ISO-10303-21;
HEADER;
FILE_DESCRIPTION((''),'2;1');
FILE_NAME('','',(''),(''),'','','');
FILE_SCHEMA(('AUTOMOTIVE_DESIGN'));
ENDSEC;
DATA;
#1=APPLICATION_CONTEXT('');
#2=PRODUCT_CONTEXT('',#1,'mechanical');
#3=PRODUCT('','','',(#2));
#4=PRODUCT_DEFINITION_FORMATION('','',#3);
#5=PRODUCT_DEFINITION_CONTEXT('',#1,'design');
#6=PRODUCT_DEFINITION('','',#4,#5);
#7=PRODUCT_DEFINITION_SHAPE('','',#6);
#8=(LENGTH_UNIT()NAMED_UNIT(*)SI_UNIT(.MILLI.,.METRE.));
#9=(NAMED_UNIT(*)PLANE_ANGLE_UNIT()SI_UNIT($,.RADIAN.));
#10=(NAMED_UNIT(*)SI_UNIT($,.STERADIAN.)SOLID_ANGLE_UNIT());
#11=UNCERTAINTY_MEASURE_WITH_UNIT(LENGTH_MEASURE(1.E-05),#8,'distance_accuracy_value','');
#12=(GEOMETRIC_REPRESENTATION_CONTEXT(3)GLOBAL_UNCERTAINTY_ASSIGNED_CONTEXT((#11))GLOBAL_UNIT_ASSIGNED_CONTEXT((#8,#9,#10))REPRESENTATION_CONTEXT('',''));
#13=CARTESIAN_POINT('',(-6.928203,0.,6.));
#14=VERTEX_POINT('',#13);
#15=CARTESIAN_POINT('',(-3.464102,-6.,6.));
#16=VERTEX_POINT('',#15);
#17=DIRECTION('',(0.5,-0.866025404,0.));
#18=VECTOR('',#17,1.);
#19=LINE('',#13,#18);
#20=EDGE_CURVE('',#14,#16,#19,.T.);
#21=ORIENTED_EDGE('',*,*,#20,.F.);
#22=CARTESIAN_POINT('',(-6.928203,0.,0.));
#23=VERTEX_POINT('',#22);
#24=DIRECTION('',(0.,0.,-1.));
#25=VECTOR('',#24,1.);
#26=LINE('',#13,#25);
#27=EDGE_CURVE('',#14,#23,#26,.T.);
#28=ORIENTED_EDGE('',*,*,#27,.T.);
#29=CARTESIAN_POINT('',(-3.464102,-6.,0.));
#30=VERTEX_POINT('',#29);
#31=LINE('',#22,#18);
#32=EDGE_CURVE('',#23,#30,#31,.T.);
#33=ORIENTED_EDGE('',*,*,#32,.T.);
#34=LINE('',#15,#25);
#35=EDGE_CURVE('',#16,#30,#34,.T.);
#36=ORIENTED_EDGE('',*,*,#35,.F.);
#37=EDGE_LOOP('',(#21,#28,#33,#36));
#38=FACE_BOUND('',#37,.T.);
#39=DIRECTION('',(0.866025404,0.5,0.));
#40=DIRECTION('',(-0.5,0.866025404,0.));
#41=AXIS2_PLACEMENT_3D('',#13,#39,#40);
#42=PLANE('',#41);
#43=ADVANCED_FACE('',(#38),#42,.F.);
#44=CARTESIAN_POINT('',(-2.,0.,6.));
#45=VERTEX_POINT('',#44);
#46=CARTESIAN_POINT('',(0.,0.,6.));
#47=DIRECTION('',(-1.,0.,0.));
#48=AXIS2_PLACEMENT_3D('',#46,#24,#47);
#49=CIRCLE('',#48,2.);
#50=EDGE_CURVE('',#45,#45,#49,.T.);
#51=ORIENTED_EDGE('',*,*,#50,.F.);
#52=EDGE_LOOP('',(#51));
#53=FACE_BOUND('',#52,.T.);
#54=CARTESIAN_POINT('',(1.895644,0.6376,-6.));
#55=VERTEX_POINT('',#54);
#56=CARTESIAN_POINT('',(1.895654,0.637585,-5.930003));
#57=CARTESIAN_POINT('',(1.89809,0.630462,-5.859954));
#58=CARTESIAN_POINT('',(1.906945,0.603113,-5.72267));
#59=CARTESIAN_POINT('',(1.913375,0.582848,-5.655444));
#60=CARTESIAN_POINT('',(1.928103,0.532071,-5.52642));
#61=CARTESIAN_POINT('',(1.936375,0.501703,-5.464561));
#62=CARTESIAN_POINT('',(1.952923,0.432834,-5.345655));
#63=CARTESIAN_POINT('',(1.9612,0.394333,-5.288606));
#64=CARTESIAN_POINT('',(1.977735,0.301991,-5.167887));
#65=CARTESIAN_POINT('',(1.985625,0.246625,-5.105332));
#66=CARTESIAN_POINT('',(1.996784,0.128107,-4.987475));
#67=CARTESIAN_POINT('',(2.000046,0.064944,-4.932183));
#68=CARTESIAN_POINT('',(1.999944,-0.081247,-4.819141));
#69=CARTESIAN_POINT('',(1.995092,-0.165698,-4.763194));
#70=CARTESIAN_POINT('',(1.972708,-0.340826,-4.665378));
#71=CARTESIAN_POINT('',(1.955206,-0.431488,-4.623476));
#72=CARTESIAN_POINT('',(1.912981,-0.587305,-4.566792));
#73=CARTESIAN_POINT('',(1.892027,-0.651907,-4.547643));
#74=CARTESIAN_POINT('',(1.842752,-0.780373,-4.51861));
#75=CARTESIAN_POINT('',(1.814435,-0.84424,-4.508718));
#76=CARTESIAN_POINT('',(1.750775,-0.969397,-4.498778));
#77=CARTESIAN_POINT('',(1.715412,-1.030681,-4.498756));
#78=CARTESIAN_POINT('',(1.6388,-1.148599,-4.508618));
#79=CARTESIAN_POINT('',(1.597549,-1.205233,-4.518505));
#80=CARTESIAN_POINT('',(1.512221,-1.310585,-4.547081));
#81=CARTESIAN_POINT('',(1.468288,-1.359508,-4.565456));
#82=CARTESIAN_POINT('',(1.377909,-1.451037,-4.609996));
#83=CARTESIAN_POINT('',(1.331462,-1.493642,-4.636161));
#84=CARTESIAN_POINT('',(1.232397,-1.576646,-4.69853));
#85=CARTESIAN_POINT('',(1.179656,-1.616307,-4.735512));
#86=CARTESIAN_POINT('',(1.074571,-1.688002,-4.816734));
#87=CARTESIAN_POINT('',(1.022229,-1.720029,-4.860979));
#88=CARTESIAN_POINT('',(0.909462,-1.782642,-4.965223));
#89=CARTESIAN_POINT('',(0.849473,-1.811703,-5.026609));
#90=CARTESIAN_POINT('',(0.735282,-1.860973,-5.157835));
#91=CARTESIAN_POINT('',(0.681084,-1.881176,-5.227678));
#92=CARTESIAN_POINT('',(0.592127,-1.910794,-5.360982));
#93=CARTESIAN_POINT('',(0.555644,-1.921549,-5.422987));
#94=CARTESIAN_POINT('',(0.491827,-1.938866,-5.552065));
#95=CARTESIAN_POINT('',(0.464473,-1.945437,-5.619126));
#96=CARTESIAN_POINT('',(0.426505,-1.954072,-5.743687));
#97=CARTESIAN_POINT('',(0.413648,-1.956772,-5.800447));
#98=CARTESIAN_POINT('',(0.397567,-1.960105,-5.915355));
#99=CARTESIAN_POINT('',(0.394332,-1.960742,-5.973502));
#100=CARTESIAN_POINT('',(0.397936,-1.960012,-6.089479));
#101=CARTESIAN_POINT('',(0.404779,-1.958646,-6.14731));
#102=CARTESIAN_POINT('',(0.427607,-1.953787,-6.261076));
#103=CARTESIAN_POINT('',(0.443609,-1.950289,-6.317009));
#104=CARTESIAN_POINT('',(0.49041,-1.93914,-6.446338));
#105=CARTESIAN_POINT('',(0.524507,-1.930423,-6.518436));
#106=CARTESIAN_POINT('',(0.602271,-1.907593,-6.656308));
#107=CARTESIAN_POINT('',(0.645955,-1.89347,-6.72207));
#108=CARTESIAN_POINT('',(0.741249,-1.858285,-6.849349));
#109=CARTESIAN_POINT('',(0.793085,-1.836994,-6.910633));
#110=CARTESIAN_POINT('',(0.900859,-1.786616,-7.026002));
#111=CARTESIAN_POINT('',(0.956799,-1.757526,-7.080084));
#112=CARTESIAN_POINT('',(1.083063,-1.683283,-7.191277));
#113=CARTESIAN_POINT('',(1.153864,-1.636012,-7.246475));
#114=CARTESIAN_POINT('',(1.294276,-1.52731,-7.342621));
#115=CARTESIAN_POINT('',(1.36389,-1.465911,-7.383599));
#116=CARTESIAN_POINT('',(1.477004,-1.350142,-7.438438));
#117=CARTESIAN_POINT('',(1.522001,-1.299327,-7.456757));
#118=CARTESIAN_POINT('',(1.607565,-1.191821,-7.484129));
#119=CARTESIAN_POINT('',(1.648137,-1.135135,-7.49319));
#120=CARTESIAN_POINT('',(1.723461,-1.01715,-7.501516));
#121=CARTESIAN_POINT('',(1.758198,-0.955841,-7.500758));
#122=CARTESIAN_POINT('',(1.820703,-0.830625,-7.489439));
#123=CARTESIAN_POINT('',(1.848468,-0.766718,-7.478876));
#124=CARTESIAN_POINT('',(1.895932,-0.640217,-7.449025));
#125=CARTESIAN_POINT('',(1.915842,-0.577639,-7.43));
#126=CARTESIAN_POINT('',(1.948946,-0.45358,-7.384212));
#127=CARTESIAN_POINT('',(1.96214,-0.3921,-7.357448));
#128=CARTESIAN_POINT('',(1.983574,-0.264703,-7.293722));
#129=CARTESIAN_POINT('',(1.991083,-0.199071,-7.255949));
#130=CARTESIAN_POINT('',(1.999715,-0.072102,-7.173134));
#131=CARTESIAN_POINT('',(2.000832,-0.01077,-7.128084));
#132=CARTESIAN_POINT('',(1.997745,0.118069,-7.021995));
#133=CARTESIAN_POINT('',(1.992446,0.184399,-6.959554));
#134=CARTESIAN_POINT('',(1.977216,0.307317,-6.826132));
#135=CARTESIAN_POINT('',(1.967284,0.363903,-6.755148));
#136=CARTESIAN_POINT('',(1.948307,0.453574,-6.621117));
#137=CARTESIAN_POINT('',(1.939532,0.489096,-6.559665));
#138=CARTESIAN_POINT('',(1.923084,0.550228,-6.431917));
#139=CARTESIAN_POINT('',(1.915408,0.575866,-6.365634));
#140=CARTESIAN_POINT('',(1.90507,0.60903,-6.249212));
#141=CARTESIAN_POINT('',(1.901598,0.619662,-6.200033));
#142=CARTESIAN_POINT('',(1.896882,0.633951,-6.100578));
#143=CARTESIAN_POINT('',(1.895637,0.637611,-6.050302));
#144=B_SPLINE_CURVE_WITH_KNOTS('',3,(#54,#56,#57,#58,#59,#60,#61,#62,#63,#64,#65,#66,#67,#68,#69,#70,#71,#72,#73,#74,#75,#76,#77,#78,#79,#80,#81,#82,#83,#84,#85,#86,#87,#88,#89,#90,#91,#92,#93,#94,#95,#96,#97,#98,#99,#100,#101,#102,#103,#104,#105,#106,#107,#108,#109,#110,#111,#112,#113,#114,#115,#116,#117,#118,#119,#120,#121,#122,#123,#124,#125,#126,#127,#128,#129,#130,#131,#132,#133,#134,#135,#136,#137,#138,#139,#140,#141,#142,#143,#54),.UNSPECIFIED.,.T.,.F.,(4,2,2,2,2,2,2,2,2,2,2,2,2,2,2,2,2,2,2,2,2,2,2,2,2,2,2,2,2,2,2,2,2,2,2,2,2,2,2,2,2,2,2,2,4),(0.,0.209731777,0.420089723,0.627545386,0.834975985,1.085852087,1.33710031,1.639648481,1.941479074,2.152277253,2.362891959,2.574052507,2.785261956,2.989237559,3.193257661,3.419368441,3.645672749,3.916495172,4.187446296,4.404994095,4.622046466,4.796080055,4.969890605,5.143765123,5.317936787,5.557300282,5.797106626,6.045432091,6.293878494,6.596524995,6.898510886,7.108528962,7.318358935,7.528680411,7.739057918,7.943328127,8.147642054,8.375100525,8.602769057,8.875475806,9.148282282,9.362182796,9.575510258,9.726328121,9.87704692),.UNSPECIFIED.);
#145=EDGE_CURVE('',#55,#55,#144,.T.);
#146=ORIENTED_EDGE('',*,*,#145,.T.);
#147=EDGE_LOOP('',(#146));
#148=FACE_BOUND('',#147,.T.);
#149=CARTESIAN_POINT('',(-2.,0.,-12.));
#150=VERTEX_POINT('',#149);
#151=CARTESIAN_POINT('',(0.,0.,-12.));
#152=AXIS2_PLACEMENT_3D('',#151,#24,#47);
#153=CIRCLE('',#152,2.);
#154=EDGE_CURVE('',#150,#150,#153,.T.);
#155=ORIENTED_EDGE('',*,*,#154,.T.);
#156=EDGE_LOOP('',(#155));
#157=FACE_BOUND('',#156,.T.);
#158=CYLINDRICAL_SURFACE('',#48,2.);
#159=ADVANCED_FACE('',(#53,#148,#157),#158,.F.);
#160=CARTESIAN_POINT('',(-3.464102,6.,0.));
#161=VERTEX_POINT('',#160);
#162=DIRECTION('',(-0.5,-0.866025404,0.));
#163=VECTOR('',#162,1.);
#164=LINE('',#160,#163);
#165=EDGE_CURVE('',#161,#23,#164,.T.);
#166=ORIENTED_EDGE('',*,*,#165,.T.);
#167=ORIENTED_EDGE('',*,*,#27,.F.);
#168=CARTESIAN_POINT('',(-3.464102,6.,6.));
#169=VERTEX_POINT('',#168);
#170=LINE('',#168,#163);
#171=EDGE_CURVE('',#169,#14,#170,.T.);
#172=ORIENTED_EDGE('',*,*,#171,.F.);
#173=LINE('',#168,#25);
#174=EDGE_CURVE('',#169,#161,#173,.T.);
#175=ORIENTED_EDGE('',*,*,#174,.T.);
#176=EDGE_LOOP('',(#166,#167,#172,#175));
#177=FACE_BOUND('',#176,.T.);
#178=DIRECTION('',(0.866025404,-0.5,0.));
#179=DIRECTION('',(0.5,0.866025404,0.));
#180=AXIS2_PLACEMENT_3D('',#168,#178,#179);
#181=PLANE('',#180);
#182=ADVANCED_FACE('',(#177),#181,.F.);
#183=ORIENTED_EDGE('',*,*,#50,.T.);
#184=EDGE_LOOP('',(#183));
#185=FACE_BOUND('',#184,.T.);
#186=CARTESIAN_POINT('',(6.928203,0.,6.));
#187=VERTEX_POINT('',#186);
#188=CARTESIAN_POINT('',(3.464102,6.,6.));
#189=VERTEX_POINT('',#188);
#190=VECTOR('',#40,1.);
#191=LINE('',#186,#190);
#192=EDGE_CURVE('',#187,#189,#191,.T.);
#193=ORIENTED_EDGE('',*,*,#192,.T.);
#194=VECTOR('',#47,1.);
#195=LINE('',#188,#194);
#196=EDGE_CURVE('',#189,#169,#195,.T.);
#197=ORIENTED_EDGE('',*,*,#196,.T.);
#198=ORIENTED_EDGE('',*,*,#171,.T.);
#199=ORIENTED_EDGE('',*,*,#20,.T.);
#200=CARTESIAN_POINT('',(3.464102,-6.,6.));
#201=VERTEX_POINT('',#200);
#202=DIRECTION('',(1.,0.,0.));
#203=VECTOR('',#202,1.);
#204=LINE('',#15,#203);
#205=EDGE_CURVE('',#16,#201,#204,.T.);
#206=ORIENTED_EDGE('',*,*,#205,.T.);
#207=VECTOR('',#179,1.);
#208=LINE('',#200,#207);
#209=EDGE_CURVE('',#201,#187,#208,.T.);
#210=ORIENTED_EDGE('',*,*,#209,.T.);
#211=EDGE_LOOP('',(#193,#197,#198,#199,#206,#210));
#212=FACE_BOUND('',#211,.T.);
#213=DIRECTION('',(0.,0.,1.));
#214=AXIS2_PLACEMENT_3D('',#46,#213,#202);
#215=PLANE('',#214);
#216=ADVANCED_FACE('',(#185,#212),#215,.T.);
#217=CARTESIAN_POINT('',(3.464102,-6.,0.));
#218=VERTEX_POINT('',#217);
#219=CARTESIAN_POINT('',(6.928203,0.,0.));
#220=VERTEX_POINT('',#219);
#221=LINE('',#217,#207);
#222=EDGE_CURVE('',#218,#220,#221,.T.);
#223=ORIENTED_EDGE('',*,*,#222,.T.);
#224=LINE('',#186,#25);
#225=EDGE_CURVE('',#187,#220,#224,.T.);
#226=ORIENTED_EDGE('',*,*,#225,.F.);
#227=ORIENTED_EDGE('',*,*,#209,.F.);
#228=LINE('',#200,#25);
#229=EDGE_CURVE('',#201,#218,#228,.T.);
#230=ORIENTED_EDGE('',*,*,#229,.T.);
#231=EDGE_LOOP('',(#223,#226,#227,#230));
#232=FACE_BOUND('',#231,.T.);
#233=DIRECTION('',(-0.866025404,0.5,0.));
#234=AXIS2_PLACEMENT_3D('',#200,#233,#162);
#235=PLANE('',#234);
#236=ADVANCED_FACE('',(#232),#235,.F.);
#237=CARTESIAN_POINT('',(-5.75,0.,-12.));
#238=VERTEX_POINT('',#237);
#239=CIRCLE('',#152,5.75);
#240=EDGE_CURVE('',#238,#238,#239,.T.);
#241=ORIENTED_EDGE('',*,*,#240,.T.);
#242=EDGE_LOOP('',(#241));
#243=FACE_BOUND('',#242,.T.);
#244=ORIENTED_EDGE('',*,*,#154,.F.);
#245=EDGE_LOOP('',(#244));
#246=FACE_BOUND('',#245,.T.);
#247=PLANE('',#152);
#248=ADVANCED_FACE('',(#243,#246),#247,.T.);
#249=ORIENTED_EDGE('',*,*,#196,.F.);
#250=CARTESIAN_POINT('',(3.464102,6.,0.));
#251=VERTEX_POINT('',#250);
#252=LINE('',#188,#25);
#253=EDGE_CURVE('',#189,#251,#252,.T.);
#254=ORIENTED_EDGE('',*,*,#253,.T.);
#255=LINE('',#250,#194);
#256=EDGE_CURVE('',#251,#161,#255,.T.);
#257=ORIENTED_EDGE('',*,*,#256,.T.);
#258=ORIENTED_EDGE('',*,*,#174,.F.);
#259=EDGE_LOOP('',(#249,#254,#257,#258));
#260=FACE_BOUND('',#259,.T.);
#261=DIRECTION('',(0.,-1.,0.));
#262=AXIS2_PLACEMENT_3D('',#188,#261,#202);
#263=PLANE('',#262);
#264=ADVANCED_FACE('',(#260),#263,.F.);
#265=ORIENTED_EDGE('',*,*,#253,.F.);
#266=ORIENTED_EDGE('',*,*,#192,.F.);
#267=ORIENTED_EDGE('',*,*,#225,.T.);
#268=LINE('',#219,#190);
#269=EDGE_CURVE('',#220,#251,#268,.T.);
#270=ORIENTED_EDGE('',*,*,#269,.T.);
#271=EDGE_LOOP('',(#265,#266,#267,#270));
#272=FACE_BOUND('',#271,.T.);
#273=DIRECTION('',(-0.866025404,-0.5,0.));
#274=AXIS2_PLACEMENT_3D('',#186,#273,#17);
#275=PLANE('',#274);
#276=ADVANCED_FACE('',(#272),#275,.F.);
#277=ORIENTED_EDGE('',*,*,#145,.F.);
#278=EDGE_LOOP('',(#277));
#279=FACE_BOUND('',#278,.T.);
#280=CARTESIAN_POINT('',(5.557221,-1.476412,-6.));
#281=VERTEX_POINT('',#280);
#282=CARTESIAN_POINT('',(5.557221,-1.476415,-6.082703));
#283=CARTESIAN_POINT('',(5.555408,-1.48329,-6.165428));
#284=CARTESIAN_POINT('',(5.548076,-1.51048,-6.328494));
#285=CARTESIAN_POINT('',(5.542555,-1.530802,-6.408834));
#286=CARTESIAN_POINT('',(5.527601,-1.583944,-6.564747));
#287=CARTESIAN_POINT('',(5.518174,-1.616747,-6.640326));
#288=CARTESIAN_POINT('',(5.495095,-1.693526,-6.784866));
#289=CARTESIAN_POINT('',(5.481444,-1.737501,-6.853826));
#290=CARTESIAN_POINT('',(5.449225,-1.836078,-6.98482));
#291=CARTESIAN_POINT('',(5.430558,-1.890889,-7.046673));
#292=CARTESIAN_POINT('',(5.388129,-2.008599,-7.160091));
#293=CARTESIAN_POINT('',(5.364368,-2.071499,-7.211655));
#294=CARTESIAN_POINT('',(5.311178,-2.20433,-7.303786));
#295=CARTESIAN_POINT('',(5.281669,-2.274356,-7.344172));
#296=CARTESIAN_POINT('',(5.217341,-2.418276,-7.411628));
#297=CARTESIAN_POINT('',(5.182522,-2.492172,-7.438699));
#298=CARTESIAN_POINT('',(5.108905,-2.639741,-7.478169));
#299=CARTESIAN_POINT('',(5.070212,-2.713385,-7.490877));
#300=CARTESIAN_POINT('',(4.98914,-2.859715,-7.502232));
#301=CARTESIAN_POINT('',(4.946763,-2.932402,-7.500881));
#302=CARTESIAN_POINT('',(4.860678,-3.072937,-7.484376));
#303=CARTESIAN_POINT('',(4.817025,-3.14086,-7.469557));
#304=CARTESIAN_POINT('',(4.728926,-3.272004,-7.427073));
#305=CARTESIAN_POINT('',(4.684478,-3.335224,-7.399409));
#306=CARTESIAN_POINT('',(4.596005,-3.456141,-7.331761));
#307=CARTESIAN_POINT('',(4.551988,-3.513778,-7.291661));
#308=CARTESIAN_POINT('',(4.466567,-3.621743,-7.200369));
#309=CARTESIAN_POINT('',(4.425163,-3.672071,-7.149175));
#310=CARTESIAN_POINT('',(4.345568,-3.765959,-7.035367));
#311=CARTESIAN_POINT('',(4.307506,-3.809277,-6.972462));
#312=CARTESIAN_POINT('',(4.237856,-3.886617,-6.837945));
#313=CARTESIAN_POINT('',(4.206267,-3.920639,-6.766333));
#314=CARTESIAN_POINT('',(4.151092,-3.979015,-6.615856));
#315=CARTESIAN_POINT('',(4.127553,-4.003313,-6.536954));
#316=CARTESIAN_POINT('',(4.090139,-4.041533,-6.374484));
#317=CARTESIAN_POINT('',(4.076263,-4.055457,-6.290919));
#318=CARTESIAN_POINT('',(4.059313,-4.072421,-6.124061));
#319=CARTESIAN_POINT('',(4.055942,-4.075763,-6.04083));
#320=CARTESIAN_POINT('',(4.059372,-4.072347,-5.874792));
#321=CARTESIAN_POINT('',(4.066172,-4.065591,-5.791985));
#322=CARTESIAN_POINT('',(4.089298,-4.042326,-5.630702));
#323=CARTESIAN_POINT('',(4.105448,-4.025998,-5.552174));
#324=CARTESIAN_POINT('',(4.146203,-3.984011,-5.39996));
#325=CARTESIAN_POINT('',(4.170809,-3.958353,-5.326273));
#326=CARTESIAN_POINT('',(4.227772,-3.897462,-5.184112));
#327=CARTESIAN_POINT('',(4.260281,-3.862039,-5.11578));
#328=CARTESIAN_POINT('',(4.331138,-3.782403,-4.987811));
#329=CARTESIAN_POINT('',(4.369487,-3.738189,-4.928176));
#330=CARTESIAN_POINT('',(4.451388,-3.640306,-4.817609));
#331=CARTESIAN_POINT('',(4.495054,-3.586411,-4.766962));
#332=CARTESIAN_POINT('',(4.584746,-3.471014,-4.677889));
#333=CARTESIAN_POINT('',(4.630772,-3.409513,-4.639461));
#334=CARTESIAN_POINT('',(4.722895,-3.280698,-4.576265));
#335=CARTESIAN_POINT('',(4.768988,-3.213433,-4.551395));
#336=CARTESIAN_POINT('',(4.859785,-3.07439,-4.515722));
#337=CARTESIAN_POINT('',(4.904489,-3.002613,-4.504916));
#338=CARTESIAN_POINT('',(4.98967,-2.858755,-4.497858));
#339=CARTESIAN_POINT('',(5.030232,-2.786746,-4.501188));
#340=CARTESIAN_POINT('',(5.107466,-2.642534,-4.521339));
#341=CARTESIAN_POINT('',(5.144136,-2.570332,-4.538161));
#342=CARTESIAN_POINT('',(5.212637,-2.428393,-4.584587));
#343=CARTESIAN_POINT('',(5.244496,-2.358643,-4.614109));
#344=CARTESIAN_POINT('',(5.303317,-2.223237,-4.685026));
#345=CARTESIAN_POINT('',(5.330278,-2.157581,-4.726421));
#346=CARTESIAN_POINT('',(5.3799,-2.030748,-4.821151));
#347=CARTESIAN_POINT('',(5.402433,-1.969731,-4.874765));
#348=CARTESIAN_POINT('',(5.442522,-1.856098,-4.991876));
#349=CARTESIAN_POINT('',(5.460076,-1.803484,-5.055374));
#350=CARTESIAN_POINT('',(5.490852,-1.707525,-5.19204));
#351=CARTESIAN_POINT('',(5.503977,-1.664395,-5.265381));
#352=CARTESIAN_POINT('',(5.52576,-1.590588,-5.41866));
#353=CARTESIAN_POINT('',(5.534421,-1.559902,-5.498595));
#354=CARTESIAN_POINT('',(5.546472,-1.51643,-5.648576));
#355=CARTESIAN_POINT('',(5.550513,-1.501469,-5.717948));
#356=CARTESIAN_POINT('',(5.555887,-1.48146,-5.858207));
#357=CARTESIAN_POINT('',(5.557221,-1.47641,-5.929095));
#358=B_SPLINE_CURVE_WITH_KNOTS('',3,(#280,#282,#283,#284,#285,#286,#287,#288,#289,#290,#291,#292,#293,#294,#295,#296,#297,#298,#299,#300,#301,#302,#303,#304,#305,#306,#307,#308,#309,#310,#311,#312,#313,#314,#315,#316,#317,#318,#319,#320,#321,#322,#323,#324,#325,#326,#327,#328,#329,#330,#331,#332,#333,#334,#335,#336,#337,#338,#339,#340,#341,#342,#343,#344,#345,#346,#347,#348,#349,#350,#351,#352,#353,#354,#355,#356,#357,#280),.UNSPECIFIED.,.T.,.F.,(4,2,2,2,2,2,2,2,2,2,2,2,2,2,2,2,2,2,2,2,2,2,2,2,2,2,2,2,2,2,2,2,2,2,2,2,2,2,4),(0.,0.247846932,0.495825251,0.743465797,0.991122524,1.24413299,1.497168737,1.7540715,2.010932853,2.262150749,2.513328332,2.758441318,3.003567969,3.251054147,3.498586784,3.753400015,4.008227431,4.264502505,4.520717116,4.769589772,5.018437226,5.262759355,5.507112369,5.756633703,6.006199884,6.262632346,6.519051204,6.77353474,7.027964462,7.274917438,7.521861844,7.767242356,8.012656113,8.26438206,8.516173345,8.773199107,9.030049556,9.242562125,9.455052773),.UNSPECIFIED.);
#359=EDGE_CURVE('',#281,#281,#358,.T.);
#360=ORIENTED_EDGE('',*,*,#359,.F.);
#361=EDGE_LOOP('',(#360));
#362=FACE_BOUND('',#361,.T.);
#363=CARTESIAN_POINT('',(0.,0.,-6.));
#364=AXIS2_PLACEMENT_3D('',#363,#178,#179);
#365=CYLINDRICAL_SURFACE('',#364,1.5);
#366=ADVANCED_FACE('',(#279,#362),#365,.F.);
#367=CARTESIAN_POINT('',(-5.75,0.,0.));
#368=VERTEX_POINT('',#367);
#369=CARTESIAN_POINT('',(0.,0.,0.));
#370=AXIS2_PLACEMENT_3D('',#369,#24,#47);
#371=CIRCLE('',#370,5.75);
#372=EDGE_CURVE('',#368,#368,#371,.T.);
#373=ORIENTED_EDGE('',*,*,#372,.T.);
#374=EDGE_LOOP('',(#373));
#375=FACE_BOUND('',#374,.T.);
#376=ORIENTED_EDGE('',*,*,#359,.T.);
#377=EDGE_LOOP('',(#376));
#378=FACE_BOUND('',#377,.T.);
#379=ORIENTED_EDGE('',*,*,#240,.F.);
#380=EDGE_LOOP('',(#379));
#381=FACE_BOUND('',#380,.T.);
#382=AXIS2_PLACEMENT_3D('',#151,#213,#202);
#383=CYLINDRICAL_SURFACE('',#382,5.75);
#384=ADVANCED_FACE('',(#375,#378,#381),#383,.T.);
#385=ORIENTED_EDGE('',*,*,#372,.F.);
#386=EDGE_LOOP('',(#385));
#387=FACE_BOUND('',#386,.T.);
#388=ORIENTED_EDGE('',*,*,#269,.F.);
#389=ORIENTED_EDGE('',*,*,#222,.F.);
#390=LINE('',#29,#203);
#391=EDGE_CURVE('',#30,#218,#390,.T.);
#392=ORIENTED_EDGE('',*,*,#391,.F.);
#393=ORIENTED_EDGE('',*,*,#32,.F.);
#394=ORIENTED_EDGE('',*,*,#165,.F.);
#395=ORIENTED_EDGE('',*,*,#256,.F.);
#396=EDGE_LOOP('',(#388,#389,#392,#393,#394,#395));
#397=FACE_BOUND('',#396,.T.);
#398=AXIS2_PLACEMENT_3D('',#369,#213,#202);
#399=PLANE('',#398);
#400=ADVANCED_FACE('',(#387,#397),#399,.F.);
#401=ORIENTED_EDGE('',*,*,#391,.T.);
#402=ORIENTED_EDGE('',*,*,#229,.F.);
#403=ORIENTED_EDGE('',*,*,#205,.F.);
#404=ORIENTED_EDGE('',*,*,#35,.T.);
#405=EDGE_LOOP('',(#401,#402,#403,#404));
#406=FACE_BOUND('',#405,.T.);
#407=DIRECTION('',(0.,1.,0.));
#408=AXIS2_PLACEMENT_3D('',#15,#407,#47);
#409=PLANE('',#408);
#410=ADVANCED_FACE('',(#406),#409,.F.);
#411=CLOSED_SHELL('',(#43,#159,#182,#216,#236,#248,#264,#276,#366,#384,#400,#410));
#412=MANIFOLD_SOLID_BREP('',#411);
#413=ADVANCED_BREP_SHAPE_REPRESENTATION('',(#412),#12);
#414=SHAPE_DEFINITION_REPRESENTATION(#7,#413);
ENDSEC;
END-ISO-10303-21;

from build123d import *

# Parameters (mm, degrees)
BOSS_EXTRUDE1_DEPTH = 6
SKETCH2_R           = 5.75
BOSS_EXTRUDE2_DEPTH = 12
SKETCH4_R           = 2
CUT_EXTRUDE2_DEPTH  = 21.199009877
SKETCH5_R           = 1.5
CUT_EXTRUDE3_DEPTH  = 6


with BuildPart() as part:
    # Sketch1 → Boss-Extrude1 (new body)
    with BuildSketch(Plane(origin=(0, 0, 0), x_dir=(0, 1, 0), z_dir=(0, 0, 1))):
        Polygon((0, 6.92820323), (-6, 3.464101615), (-6, -3.464101615), (0, -6.92820323), (6, -3.464101615), (6, 3.464101615), align=None)
    extrude(amount=BOSS_EXTRUDE1_DEPTH)

    # Sketch2 → Boss-Extrude2 (add)
    with BuildSketch(Plane(origin=(0, 0, 0), x_dir=(1, 0, 0), z_dir=(0, 0, -1))):
        with Locations(Location((0, 0, 0), (0, 0, 180))):
            Circle(SKETCH2_R)
    extrude(amount=BOSS_EXTRUDE2_DEPTH)

    # Sketch4 → Cut-Extrude2 (cut, through all)
    with BuildSketch(Plane(origin=(0, 0, -12), x_dir=(1, 0, 0), z_dir=(0, 0, -1))):
        with Locations(Location((0, 0, 0), (0, 0, 180))):
            Circle(SKETCH4_R)
    extrude(amount=-CUT_EXTRUDE2_DEPTH, mode=Mode.SUBTRACT)

    # Sketch5 → Cut-Extrude3 (cut)
    with BuildSketch(Plane(origin=(5.196152423, -3, 0), x_dir=(0.49999999999999506, 0.8660254037844415, 0), z_dir=(0.8660254037844415, -0.49999999999999506, 0))):
        with Locations((0, -6)):
            Circle(SKETCH5_R)
    extrude(amount=-CUT_EXTRUDE3_DEPTH, mode=Mode.SUBTRACT)


solid = part.part
